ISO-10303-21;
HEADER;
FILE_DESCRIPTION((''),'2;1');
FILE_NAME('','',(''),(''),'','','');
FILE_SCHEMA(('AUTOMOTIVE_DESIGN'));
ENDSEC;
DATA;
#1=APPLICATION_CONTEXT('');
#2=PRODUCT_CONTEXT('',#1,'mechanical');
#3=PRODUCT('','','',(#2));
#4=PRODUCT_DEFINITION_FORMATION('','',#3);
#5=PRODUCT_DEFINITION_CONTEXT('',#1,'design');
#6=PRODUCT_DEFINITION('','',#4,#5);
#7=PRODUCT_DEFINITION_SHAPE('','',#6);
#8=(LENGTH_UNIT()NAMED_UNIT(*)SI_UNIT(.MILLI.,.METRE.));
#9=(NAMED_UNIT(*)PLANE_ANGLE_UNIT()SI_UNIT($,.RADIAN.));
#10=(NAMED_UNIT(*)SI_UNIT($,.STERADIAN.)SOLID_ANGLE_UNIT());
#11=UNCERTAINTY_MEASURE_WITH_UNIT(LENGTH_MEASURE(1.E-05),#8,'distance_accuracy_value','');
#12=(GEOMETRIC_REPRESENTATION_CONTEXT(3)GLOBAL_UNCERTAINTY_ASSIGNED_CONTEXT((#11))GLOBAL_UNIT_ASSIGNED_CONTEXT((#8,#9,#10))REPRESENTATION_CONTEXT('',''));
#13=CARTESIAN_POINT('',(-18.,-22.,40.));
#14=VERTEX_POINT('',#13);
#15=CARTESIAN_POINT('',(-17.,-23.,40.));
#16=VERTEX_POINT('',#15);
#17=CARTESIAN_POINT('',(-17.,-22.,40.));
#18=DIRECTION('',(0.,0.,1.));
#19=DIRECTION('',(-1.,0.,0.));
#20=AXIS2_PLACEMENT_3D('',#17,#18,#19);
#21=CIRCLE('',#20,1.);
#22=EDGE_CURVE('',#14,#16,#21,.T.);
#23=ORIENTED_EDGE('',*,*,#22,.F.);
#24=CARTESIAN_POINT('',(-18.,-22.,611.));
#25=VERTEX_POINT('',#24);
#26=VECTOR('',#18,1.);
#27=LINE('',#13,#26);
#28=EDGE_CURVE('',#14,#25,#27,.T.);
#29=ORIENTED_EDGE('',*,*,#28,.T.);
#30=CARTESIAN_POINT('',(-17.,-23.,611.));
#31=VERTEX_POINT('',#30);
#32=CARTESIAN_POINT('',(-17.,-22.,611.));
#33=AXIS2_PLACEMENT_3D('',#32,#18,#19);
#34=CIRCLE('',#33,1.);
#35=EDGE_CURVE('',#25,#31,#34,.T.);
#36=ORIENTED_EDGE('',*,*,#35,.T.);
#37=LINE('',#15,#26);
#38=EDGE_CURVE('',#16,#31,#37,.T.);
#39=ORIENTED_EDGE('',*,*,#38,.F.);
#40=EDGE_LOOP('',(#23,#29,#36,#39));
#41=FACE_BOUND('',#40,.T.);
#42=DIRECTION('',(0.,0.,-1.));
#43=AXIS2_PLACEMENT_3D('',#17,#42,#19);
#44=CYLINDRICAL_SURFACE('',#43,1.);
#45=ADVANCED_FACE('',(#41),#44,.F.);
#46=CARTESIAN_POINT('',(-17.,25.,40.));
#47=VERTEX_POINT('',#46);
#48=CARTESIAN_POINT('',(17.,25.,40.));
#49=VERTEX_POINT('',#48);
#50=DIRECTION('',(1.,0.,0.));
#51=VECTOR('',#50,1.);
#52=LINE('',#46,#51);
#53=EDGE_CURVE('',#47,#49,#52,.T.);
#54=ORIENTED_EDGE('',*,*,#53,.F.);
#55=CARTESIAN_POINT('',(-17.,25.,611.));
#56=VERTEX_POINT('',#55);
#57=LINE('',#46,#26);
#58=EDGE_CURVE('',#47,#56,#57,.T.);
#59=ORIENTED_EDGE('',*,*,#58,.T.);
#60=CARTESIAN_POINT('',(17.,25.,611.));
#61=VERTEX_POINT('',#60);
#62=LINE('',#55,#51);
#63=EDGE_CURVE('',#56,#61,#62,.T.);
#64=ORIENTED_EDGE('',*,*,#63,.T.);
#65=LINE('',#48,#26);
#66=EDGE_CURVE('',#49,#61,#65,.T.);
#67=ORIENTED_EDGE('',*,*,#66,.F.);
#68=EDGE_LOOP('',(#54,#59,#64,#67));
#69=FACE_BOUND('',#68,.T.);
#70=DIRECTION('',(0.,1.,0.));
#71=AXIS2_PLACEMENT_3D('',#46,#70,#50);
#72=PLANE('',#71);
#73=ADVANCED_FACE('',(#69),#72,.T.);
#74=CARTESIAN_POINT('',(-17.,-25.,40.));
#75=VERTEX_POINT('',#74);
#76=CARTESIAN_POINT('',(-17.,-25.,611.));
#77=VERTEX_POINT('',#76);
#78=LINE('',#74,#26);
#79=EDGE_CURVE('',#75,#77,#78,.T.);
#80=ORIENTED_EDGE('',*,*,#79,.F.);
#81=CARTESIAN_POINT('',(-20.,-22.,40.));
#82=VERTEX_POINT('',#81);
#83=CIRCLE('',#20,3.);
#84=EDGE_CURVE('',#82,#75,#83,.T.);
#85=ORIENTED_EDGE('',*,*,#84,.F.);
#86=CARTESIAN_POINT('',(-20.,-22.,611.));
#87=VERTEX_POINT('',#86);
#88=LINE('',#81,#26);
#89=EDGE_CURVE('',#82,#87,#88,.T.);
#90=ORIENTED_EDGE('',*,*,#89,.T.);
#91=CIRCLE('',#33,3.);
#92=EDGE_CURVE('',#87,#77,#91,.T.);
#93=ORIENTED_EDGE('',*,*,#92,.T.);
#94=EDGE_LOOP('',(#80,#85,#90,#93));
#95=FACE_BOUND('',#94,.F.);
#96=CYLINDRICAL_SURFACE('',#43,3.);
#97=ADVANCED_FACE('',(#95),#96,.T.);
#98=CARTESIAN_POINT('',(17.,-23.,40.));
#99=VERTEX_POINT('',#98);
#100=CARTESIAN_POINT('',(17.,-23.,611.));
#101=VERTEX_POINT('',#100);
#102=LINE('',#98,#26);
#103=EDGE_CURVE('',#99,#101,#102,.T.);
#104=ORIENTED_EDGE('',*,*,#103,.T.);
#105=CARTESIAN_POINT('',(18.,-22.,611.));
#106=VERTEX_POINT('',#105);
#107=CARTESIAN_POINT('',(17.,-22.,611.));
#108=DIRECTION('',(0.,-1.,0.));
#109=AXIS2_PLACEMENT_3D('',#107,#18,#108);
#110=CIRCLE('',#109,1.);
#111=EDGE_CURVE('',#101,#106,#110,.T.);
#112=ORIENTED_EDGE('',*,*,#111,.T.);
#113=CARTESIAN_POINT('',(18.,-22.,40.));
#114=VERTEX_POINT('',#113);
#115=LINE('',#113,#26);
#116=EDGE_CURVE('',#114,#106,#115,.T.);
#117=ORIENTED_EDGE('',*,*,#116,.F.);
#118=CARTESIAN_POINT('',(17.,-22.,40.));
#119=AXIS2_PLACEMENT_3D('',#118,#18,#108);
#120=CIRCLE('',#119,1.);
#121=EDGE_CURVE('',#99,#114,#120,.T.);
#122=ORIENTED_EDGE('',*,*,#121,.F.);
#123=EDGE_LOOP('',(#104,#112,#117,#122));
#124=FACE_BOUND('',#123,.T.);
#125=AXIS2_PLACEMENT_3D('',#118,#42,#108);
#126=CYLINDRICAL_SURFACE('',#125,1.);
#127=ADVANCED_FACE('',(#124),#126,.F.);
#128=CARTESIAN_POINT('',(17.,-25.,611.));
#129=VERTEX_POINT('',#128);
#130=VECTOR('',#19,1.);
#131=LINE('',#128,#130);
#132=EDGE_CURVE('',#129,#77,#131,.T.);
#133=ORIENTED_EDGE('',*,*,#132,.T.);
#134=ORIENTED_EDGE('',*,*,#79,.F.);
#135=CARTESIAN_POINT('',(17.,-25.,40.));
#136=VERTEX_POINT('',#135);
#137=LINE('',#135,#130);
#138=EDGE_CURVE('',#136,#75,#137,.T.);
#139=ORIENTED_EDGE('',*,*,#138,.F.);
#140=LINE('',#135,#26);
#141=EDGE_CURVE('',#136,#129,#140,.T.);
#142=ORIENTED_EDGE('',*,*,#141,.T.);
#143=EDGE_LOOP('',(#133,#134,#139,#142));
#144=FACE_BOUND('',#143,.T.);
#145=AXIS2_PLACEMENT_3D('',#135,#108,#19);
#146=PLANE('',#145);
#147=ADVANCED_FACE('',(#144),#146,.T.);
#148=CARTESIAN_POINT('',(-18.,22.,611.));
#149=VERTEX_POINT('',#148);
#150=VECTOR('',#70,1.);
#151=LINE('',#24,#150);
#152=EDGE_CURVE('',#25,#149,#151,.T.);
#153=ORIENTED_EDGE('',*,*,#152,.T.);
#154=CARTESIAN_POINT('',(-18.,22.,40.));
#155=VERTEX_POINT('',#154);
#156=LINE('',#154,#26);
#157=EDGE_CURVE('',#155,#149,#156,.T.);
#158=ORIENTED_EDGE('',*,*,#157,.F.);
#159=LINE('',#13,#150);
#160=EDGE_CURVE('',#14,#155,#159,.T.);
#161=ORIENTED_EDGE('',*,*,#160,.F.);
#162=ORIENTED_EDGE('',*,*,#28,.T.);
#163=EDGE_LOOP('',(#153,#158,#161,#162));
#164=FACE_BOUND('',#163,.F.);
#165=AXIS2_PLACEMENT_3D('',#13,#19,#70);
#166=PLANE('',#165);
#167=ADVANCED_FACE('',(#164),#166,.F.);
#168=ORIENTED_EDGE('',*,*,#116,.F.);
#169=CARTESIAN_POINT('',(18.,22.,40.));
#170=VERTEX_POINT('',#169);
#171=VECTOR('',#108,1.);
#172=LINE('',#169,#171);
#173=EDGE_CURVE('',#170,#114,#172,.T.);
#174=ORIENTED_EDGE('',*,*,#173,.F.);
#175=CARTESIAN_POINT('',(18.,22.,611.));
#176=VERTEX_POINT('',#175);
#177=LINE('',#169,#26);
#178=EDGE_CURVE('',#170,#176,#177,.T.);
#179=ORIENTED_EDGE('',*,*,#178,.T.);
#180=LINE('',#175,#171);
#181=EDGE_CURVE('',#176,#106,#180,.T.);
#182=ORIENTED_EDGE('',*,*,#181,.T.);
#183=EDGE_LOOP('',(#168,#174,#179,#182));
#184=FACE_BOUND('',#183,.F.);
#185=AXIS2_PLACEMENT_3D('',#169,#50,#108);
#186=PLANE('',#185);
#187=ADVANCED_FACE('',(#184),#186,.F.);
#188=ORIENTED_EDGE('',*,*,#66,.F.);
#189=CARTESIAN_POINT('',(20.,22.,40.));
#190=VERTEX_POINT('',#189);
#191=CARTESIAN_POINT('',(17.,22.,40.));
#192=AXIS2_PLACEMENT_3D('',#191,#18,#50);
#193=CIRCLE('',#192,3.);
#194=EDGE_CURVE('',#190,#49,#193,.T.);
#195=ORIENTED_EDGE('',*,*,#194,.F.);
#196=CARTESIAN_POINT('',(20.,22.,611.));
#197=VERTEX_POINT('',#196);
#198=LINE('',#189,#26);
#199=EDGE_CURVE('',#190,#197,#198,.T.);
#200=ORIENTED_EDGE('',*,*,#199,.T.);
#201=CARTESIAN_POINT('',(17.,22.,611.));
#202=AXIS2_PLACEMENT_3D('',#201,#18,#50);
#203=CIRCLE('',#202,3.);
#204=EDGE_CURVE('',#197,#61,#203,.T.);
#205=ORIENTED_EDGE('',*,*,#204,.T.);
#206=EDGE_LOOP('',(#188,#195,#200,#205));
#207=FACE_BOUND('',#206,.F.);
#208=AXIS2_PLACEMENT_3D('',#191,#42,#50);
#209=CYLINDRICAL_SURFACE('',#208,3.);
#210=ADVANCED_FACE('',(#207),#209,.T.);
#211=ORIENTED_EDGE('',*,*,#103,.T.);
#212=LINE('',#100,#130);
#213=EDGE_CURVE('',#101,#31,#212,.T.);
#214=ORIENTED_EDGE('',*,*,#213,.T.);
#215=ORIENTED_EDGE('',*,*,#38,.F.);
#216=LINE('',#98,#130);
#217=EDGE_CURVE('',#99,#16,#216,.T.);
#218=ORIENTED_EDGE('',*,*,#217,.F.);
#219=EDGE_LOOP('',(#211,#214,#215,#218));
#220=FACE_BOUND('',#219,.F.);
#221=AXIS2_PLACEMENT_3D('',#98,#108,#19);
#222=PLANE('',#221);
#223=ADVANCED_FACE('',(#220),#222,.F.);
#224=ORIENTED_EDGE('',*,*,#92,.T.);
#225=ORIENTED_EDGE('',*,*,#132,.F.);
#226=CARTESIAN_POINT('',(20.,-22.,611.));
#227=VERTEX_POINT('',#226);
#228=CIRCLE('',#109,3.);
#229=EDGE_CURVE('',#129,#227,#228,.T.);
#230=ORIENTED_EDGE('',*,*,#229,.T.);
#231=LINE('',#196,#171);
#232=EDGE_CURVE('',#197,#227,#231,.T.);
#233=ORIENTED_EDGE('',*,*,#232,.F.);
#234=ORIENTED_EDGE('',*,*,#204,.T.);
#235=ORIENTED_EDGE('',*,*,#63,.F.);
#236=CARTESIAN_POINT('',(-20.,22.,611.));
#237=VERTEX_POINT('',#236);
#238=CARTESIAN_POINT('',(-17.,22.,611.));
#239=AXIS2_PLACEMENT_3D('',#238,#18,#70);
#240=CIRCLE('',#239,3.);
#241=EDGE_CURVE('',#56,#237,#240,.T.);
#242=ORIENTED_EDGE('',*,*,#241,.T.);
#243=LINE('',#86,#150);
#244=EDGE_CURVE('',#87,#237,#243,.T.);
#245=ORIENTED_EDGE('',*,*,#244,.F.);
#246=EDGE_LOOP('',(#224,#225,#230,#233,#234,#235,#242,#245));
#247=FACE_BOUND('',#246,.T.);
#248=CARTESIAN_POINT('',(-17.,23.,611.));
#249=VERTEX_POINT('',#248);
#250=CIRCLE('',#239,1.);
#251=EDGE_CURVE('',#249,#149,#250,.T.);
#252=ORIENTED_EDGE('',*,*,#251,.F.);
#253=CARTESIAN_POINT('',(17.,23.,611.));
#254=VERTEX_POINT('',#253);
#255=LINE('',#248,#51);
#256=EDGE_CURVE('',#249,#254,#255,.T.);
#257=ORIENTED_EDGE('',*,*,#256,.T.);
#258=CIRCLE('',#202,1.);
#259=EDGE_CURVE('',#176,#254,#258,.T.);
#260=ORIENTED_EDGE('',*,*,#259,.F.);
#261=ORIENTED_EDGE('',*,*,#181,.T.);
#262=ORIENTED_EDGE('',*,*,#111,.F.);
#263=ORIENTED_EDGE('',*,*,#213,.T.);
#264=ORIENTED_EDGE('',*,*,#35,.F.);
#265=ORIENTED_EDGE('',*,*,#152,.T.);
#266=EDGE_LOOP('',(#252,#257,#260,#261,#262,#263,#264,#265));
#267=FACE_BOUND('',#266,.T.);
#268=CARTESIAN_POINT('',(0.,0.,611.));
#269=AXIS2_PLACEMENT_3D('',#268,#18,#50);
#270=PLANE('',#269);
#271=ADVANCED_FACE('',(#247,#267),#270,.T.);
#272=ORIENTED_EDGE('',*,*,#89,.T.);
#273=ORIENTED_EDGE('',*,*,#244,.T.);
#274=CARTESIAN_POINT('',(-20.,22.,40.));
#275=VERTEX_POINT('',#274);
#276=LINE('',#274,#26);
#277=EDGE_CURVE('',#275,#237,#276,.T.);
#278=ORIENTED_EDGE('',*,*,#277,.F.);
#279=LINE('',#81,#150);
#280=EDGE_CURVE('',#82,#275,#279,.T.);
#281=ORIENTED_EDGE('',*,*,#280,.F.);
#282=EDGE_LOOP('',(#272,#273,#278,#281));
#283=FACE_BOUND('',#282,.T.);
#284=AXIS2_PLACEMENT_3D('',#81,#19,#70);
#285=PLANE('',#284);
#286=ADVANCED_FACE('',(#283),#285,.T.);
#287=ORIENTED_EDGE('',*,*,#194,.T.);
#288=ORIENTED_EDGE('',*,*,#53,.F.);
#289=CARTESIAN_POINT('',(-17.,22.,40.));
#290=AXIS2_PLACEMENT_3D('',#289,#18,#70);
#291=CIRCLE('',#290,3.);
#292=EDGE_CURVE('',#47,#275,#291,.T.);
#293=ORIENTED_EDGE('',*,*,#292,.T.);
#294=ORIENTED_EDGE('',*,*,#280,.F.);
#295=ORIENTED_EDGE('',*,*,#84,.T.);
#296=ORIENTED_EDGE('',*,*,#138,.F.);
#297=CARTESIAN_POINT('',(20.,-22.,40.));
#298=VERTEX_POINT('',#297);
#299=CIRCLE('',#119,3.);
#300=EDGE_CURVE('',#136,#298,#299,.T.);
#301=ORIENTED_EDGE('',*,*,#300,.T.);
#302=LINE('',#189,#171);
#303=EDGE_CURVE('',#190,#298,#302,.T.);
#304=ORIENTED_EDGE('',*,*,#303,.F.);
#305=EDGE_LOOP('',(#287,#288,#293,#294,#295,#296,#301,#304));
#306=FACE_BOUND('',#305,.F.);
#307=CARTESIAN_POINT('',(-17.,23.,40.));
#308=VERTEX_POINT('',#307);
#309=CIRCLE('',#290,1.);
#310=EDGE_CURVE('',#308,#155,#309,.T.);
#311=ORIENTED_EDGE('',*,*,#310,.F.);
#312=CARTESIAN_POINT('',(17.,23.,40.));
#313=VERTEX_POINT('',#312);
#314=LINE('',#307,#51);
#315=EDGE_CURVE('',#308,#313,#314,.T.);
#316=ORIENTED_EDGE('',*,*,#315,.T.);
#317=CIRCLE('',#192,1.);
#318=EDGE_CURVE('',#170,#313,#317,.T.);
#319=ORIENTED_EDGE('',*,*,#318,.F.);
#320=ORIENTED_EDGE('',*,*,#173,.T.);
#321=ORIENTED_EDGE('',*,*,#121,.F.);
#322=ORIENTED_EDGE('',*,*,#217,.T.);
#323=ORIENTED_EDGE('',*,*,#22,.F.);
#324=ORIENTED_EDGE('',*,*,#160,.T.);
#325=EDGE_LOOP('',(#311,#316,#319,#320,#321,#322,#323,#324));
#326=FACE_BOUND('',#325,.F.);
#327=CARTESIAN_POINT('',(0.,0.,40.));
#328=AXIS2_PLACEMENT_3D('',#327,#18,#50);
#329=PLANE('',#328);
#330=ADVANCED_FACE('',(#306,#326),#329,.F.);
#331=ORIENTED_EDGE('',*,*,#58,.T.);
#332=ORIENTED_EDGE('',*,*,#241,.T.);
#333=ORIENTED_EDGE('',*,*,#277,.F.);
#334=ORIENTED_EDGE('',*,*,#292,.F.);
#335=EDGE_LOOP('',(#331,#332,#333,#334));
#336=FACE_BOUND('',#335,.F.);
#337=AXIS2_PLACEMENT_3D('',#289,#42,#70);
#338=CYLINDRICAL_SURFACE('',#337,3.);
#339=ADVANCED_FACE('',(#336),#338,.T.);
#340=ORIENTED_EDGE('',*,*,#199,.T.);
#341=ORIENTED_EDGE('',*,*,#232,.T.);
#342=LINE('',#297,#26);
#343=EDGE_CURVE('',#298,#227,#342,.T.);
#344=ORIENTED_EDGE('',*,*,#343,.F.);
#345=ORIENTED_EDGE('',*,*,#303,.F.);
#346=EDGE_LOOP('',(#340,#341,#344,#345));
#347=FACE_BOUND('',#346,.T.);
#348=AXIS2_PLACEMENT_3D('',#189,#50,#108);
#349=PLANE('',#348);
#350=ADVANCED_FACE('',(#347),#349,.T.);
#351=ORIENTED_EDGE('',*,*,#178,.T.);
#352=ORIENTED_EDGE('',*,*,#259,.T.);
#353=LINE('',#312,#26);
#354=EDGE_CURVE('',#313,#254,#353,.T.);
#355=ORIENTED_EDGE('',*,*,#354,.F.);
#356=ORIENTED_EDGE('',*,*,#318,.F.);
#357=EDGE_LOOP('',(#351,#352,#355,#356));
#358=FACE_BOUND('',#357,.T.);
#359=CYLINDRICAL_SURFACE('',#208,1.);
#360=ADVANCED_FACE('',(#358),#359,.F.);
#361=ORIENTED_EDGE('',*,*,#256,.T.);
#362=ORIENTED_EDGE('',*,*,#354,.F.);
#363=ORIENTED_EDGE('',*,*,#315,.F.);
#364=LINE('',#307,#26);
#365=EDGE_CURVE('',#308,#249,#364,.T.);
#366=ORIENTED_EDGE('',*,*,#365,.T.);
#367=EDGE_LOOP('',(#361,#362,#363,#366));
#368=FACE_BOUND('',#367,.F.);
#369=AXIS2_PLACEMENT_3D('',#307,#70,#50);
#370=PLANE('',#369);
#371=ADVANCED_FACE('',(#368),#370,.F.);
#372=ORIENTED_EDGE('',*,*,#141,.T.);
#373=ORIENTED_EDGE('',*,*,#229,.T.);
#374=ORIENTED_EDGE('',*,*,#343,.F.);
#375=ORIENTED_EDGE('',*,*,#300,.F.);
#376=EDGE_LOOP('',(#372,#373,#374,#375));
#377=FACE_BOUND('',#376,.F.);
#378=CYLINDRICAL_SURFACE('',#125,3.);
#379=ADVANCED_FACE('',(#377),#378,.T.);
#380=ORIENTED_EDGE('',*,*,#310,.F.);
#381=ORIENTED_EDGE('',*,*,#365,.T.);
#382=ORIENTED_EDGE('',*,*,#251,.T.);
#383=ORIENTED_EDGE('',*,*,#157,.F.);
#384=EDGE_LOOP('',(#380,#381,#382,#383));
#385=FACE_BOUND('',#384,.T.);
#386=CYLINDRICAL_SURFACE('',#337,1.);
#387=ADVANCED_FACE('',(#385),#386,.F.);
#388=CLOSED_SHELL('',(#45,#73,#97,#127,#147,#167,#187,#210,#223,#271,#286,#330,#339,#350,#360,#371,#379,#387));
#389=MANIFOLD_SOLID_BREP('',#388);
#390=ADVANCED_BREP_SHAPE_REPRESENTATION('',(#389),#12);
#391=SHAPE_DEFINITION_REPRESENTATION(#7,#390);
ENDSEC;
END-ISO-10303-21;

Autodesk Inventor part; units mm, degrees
ref_plane "Start plane" through (0, 0, 40) normal (0, 0, 1) x (1, 0, 0)
ref_plane "End plane" through (0, 0, 611) normal (0, 0, 1) x (1, 0, 0)
sketch "Sketch" plane through (0, 0, 0) normal (0, 0, 1) x (1, 0, 0)
  line L0 (-20, -22) -> (-20, 22)
  line L1 (-17, 25) -> (17, 25)
  line L2 (20, 22) -> (20, -22)
  line L3 (17, -25) -> (-17, -25)
  arc A0 (-20, -22) -> (-17, -25) centre (-17, -22) ccw
  arc A1 (-17, 25) -> (-20, 22) centre (-17, 22) ccw
  arc A2 (20, 22) -> (17, 25) centre (17, 22) ccw
  arc A3 (17, -25) -> (20, -22) centre (17, -22) ccw
  arc A4 (-17, 23) -> (-18, 22) centre (-17, 22) ccw
  line L4 (-17, 23) -> (17, 23)
  arc A5 (18, 22) -> (17, 23) centre (17, 22) ccw
  line L5 (18, 22) -> (18, -22)
  arc A6 (17, -23) -> (18, -22) centre (17, -22) ccw
  line L6 (17, -23) -> (-17, -23)
  arc A7 (-18, -22) -> (-17, -23) centre (-17, -22) ccw
  line L7 (-18, -22) -> (-18, 22)
  line L8 (0, 35.8698) -> (0, -35.8698) construction
  line L9 (-28.8698, 0) -> (28.8698, 0) construction
  dimension "d7" = 3
  dimension "d10" = 50
  dimension "d11" = 40
  dimension "d12" = 2
  dimension "d15" = 25
  dimension "d16" = 20
extrude "Body" add sketch "Sketch" along normal up to surface (571 mm away) from surface at 40
sketch "Sketch3" plane through (0, 0, 0) normal (0, 0, 1) x (1, 0, 0)
  line L0 (0, 0) -> (10, 0)
ref_plane "Work Plane3" through (0, 0, 0) normal (0, -1, 0) x (1, 0, 0)
sketch "Sketch4" plane through (0, 0, 0) normal (0, -1, 0) x (1, 0, 0)
  line L0 (-2, 40) -> (12, 40)
  line L1 (-2, 611) -> (12, 611)
  dimension "d18" = 571
ref_plane "Work Plane4" through (20, -22, 611) normal (0, 0, 1) x (1, 0, 0)
split "Split1" plane through (20, -22, 611) removes the side toward (0, 0, 1)
ref_plane "Work Plane5" through (20, 22, 40) normal (0, 0, -1) x (-1, 0, 0)
split "Split2" plane through (20, 22, 40) removes the side toward (0, 0, -1)
equation "\"d7\" = G_IR"
equation "\"d10\" = G_H"
equation "\"d11\" = G_W"
equation "\"d12\" = G_T"
equation "\"d15\" = 0.5 * d10"
equation "\"d16\" = 0.5 * d11"
equation "\"d3\" = G_L"
equation "\"G_W\" = 40"
equation "\"G_H\" = 50"
equation "\"G_T\" = 2"
equation "\"G_IR\" = 3"
equation "\"G_L\" = d18"
equation "\"G_OFFSET_START\" = -40"
equation "\"G_OFFSET_END\" = -40"
equation "\"d13\" = -G_OFFSET_START"
equation "\"d14\" = G_OFFSET_END + B_L"
equation "\"B_L\" = 651"
properties part number "UNI EN 10305-5 - 50 x 40 x 2  - 571" material "Steel, Mild"
